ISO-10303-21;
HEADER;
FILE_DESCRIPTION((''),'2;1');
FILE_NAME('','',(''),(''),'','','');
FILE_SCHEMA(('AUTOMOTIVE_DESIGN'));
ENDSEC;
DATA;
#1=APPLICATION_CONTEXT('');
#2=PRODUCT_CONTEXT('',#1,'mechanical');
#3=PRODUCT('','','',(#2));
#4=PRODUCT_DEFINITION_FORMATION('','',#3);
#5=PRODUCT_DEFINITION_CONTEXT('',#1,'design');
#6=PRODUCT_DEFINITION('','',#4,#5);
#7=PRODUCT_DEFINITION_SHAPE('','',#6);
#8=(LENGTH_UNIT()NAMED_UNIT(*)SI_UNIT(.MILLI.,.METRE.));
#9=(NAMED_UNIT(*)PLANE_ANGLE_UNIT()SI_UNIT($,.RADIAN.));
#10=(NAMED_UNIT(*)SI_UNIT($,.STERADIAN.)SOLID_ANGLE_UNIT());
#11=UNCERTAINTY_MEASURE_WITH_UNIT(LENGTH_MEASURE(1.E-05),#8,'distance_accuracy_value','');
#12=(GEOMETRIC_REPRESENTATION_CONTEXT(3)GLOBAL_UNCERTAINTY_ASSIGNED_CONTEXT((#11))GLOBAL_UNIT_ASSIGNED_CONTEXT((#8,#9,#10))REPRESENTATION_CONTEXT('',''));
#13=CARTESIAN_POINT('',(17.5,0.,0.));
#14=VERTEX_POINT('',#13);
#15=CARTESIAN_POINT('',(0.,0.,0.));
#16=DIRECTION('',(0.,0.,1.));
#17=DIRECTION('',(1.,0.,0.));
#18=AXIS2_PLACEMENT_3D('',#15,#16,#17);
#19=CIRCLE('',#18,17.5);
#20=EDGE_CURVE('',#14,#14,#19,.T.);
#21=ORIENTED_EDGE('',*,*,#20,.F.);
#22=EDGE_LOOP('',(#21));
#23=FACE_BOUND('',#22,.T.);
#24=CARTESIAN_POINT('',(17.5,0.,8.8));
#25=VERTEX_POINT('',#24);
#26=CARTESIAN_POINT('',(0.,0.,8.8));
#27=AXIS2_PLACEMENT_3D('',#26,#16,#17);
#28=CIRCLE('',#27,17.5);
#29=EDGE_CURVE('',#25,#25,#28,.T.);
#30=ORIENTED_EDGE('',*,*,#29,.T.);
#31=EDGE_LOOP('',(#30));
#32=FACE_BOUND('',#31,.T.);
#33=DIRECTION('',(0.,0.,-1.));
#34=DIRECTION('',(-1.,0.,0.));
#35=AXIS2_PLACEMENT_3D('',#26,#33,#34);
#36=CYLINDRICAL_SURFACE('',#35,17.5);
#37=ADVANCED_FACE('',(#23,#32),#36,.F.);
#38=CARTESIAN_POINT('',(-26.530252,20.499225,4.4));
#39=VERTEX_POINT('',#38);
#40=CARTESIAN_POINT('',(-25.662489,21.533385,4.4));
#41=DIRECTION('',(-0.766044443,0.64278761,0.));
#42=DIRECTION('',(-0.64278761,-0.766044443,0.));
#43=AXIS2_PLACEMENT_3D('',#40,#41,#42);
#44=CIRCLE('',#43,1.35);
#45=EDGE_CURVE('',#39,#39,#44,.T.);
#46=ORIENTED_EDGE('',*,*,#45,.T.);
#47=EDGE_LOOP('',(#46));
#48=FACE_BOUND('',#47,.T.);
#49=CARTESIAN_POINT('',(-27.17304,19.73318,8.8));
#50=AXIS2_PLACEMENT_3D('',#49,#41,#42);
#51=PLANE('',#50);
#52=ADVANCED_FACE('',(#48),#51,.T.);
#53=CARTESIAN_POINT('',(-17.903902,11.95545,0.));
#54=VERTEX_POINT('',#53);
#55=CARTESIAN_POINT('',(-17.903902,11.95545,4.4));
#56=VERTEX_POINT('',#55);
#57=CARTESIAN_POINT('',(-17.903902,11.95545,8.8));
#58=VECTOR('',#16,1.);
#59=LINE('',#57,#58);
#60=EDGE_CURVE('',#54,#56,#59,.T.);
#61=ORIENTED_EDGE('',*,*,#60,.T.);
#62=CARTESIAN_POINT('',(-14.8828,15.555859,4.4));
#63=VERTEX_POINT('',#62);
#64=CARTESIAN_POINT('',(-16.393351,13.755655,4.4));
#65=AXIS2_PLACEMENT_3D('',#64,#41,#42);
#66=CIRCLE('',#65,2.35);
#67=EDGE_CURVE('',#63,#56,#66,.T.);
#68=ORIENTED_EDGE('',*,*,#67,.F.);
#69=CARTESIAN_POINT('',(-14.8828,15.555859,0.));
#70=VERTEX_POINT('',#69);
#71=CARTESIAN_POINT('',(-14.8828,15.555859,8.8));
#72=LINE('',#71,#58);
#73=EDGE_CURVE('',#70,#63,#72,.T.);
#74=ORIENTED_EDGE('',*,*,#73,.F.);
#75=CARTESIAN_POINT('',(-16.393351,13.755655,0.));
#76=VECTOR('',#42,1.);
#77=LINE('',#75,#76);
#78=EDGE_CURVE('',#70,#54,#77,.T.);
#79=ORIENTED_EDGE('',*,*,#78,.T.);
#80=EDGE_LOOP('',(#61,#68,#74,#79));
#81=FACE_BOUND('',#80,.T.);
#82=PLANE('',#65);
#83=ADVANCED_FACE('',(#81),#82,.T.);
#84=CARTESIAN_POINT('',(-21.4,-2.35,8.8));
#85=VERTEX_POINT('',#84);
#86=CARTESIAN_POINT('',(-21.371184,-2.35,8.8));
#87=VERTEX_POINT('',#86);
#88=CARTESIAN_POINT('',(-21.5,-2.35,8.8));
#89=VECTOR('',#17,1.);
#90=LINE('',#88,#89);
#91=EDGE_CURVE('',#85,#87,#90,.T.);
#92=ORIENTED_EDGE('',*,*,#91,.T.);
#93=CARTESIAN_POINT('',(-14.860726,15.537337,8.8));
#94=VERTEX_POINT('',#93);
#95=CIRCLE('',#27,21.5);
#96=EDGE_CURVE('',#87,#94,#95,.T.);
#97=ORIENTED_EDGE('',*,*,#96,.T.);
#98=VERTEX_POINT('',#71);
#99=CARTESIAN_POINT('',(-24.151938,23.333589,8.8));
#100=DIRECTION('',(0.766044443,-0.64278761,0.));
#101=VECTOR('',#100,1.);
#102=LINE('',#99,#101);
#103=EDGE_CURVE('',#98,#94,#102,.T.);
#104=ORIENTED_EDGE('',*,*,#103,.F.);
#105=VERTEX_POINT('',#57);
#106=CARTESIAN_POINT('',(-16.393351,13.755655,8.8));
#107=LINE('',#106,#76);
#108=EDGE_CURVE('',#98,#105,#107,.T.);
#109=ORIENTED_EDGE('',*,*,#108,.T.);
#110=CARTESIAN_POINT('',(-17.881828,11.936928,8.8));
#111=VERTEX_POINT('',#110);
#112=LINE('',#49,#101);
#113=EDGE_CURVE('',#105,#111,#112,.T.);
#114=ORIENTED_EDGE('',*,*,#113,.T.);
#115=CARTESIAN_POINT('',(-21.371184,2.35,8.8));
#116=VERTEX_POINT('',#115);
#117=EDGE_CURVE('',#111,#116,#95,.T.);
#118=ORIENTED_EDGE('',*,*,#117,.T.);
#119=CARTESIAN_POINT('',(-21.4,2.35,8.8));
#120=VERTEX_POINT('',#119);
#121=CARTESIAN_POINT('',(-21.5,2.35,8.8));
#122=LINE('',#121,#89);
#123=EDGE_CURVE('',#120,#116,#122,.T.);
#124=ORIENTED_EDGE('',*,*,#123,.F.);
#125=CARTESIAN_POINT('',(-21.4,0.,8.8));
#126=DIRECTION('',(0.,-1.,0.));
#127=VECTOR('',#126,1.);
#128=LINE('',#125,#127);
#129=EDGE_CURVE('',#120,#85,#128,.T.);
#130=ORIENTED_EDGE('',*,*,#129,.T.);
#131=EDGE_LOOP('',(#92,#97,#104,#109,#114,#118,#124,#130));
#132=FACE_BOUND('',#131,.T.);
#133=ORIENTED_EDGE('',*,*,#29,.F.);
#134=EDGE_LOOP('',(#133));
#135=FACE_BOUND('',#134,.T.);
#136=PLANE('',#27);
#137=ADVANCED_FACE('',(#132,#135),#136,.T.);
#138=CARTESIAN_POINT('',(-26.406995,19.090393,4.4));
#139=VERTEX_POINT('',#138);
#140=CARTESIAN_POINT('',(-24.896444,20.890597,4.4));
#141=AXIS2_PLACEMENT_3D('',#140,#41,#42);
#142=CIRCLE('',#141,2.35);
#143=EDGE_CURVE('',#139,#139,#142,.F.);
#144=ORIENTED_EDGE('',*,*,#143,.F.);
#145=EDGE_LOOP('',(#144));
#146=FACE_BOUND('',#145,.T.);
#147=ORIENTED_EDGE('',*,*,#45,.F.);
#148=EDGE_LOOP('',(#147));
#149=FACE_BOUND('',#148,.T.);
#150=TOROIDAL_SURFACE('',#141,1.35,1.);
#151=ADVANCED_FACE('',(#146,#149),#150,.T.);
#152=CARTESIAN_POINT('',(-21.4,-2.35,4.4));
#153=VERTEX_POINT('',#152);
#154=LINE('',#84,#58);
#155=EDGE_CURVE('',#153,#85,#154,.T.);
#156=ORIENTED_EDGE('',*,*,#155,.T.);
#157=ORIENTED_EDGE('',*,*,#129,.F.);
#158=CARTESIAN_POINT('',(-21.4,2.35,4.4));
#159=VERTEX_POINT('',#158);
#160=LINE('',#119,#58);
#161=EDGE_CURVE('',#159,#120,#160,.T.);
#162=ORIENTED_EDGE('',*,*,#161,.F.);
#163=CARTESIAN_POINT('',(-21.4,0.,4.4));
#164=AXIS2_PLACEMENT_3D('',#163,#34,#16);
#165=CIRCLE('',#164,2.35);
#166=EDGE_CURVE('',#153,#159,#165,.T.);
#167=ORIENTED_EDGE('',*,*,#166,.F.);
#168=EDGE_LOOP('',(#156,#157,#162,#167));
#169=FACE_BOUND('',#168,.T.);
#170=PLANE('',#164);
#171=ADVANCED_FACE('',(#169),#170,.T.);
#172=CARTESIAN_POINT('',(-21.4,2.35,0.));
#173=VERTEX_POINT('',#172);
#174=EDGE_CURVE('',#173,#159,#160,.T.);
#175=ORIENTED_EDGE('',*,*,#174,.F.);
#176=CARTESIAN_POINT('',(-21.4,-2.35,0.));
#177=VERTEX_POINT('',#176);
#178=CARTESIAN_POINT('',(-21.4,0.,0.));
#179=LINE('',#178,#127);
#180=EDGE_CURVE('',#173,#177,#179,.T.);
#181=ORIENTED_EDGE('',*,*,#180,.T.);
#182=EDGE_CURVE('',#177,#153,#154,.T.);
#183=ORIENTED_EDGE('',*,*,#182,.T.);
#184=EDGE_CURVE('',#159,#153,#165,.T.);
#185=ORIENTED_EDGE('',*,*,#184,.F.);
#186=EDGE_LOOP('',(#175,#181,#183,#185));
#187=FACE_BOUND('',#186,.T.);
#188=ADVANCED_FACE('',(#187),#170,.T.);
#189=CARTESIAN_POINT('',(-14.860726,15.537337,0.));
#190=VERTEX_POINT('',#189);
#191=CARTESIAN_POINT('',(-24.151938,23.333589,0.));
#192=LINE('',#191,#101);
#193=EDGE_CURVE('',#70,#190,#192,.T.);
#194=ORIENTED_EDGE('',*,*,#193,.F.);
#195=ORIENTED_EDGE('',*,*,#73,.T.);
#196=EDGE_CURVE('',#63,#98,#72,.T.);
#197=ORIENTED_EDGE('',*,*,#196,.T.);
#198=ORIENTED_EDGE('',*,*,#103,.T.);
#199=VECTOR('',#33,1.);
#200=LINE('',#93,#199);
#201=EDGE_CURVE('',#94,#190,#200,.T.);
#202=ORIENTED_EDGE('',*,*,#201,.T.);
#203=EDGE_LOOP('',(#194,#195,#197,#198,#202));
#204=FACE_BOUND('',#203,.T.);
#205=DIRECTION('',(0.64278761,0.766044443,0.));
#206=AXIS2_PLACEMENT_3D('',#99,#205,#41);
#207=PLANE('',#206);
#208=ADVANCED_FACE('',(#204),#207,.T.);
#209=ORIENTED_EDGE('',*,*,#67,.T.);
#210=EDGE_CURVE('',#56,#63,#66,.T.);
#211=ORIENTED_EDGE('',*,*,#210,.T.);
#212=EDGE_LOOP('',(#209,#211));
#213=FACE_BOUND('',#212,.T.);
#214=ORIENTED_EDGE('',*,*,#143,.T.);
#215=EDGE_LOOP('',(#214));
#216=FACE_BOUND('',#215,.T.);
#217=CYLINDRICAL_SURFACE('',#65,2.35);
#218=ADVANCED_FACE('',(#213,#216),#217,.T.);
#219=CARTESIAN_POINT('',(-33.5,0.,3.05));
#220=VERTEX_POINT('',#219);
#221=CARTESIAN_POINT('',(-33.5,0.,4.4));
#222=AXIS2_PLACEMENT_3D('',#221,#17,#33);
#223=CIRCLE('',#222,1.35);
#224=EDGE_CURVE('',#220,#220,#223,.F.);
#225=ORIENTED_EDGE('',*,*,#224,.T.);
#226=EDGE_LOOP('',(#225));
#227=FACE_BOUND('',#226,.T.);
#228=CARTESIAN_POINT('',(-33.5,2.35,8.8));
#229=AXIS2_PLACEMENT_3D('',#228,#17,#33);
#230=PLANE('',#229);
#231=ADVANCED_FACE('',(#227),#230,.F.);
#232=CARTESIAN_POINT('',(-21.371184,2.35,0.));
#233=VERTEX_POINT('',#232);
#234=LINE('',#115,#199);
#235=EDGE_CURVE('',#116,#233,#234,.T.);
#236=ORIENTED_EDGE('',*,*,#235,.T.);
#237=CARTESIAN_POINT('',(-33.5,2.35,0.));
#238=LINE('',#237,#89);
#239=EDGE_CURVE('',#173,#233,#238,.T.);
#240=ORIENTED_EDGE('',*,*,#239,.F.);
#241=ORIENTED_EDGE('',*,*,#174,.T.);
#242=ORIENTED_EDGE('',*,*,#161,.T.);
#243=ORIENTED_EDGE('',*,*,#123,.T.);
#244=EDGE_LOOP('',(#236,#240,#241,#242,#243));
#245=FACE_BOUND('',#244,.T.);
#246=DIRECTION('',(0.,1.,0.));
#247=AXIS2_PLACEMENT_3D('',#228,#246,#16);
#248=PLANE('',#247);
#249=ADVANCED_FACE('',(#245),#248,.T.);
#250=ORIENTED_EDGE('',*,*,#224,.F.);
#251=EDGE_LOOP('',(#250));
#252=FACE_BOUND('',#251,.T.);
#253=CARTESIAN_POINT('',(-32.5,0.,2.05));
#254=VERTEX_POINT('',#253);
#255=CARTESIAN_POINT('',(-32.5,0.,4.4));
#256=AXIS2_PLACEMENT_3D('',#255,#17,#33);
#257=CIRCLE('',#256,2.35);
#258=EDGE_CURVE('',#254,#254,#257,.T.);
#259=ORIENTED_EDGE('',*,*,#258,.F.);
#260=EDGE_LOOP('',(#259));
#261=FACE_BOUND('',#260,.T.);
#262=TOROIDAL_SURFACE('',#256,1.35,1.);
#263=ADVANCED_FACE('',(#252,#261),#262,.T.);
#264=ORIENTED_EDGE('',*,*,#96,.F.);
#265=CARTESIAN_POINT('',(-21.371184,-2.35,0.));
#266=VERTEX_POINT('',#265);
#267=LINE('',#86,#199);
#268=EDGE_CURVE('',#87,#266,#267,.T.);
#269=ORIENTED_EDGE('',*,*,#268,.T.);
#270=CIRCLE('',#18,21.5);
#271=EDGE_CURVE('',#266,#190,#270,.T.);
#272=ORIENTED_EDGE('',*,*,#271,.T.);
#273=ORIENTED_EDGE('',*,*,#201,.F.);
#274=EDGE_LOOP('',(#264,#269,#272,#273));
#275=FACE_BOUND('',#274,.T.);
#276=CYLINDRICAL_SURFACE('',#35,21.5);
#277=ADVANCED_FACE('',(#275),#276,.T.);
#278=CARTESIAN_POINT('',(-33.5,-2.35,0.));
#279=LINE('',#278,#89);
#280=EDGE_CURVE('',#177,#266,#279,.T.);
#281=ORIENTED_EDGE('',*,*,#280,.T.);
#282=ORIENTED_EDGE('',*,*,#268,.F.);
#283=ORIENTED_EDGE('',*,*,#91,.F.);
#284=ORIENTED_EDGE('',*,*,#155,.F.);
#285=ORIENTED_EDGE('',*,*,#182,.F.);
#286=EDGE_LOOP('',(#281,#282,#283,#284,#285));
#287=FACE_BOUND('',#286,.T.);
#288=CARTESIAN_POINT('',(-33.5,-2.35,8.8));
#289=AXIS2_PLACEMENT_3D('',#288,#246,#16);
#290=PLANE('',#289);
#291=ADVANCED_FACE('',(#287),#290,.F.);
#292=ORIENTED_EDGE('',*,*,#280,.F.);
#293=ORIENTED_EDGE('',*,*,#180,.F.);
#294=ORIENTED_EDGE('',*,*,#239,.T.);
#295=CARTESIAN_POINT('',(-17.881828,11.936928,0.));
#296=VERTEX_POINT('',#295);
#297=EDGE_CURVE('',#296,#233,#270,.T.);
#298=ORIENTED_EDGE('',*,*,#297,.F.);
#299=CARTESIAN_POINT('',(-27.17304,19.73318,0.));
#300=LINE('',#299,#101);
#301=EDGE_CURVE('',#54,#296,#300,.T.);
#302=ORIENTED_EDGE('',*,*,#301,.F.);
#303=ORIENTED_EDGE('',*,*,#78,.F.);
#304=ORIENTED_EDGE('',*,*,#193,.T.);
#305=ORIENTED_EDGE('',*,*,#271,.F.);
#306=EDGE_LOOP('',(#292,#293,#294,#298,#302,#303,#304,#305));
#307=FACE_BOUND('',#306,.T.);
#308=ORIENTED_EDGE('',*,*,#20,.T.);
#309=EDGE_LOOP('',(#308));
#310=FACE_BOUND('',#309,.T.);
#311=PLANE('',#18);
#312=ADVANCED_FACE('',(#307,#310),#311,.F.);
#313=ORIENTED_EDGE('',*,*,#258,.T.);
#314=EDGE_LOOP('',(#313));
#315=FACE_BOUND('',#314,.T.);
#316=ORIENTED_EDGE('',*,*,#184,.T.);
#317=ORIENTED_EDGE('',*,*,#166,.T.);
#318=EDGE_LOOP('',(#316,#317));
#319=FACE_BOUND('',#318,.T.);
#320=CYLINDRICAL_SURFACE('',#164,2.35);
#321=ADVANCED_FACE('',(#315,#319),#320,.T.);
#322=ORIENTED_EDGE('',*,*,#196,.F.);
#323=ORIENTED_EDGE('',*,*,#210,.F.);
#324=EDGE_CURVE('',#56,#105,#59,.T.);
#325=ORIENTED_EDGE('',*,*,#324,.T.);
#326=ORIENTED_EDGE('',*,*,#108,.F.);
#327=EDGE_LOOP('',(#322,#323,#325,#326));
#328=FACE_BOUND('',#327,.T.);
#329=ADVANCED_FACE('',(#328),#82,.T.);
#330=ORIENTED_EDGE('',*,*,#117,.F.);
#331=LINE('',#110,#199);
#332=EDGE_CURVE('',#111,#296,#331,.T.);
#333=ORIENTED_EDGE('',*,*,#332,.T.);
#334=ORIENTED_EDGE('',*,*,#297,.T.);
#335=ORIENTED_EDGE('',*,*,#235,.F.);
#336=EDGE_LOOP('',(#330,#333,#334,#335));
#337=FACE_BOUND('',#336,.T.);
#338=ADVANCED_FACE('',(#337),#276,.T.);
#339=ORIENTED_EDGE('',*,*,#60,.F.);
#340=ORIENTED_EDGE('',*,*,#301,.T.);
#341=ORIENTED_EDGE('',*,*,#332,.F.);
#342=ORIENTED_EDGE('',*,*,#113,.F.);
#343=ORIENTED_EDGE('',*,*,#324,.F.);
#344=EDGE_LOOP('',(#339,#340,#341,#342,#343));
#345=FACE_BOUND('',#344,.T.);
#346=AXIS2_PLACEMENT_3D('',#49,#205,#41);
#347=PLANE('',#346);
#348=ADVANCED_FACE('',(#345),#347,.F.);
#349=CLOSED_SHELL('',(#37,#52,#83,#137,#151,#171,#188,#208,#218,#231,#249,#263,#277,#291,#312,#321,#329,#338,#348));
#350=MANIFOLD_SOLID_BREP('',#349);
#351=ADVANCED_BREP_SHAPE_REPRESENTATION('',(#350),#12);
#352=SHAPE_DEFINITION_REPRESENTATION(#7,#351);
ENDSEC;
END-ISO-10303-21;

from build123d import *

# Parameters (mm, degrees)
ESQUISSE1_R             = 17.5
BOSS_EXTRU_1_DEPTH      = 8.8
ESQUISSE4_R             = 6.373182781
ESQUISSE4_R_2           = 2.35
ENL_V_MAT_EXTRU_1_DEPTH = 12.1
ESQUISSE5_R             = 10.689407939
ESQUISSE5_R_2           = 2.35
ENL_V_MAT_EXTRU_2_DEPTH = 12.1
CONG_1_R                = 1


with BuildPart() as part:
    # Esquisse1 → Boss.-Extru.1 (new body)
    with BuildSketch(Plane.XY):
        with BuildLine():
            Line((-33.5, 2.35), (-21.5, 2.35))
            Line((-21.5, 2.35), (-21.37118387, 2.35))
            ThreePointArc((-21.37118387, 2.35), (-20.203391347, 7.353433082), (-17.881827529, 11.936927755))
            Line((-17.881827529, 11.936927755), (-27.173039727, 19.733180483))
            Line((-27.173039727, 19.733180483), (-24.151937962, 23.333589366))
            Line((-24.151937962, 23.333589366), (-14.860725764, 15.537336637))
            ThreePointArc((-14.860725764, 15.537336637), (20.203391347, -7.353433082), (-21.37118387, -2.35))
            Line((-21.37118387, -2.35), (-21.5, -2.35))
            Line((-21.5, -2.35), (-33.5, -2.35))
            Line((-33.5, -2.35), (-33.5, 2.35))
        make_face()
        Circle(ESQUISSE1_R, mode=Mode.SUBTRACT)
    extrude(amount=BOSS_EXTRU_1_DEPTH)

    # Esquisse4 → Enlèv. mat.-Extru.1 (cut)
    with BuildSketch(Plane(origin=(-25.662488844, 21.533384924, 0), x_dir=(0, 0, 1), z_dir=(-0.766044443, 0.64278761, 0))):
        with Locations((4.4, 0)):
            Circle(ESQUISSE4_R)
        with Locations((4.4, 0)):
            Circle(ESQUISSE4_R_2, mode=Mode.SUBTRACT)
    extrude(amount=-ENL_V_MAT_EXTRU_1_DEPTH, mode=Mode.SUBTRACT)

    # Esquisse5 → Enlèv. mat.-Extru.2 (cut)
    with BuildSketch(Plane.ZY.offset(33.5)):
        with Locations((4.4, 0)):
            Circle(ESQUISSE5_R)
        with Locations((4.4, 0)):
            Circle(ESQUISSE5_R_2, mode=Mode.SUBTRACT)
    extrude(amount=-ENL_V_MAT_EXTRU_2_DEPTH, mode=Mode.SUBTRACT)

    # Congé1
    cong_1_edges = [part.edges().sort_by_distance(p)[0] for p in [
        (-25.662488844, 21.533384924, 2.05),
        (-33.5, 0, 2.05),
    ]]
    fillet(cong_1_edges, radius=CONG_1_R)


solid = part.part
